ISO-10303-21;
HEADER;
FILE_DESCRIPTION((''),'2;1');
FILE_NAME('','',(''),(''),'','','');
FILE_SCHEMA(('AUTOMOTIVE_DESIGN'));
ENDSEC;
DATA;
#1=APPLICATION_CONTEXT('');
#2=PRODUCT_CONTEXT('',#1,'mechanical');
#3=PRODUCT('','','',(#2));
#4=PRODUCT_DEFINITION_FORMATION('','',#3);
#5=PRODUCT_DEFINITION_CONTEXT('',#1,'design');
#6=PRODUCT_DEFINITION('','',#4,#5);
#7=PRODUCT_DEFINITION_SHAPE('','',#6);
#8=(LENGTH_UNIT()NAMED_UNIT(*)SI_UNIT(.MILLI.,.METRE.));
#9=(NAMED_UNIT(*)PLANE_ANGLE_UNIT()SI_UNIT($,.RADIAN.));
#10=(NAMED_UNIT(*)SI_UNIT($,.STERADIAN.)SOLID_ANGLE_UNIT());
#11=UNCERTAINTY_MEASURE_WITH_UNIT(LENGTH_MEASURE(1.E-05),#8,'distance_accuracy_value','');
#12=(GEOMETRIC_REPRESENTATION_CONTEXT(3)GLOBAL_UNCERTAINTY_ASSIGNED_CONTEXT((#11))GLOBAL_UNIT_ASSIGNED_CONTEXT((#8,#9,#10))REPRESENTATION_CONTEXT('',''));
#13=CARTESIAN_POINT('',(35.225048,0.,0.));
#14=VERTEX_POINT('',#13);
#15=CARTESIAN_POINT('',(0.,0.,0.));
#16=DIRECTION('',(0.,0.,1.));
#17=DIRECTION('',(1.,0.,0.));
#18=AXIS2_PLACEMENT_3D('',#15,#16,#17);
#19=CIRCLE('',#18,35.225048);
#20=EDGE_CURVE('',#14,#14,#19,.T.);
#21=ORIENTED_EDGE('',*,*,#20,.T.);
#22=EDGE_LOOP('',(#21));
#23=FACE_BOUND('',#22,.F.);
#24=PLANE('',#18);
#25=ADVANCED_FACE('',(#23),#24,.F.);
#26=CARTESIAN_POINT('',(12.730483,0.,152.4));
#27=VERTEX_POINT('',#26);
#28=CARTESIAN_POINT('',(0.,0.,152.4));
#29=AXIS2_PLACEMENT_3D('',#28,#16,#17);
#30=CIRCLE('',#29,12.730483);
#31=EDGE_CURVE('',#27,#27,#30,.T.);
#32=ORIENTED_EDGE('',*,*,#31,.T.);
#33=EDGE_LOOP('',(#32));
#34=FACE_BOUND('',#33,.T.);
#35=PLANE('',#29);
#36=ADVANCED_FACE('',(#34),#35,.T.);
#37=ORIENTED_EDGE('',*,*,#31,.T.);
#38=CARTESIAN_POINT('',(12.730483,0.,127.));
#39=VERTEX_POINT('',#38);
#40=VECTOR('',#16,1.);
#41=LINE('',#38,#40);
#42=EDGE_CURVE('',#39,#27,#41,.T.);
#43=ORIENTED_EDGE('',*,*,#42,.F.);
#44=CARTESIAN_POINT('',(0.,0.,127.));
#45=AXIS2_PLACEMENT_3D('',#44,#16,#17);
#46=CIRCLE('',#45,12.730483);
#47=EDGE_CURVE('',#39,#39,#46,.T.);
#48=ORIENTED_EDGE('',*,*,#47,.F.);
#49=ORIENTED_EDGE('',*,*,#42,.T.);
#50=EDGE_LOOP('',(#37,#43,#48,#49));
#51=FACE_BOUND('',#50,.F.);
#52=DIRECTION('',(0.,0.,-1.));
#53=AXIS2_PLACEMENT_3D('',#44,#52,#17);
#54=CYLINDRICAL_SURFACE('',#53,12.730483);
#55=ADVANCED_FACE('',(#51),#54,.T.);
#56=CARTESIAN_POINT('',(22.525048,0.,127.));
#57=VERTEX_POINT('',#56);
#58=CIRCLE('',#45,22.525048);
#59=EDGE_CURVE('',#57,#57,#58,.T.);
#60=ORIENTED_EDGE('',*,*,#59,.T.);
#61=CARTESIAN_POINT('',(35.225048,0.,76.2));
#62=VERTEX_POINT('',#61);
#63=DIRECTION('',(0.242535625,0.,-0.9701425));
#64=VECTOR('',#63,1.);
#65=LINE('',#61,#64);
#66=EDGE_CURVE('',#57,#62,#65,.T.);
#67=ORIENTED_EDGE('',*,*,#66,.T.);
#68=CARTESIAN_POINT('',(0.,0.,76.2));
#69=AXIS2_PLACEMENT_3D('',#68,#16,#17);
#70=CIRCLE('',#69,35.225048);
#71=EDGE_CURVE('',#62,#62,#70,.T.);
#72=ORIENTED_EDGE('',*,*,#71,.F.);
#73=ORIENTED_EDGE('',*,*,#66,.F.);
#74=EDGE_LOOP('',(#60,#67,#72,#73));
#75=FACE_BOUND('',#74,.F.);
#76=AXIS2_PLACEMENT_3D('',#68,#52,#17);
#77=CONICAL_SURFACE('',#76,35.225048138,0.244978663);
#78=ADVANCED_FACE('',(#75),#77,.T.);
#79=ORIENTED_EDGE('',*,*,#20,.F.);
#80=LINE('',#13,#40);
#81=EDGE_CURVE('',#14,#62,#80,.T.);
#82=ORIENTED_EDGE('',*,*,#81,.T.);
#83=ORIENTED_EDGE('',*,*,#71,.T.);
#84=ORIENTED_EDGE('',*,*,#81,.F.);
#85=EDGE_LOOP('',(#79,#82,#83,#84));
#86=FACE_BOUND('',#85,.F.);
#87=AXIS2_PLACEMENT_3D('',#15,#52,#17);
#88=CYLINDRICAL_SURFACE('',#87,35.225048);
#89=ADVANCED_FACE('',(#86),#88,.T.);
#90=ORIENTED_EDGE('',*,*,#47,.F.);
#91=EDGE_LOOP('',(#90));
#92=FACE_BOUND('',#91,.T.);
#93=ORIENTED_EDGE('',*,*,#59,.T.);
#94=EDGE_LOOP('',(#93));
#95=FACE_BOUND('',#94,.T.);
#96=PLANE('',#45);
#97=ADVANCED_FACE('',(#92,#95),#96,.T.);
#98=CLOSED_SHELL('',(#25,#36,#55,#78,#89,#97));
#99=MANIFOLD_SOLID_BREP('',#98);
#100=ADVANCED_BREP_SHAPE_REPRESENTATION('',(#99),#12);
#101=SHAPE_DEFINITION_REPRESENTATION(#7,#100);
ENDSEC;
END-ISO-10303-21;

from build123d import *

# Parameters (mm, degrees)
F0_R     = 35.2250481383
F1_DEPTH = 127
F2_SIZE2 = 50.8
F2_SIZE  = 12.7
F3_R     = 12.730483267
F4_DEPTH = 25.4


with BuildPart() as f1:
    # F0 (on Top) → F1 (new body)
    with BuildSketch(Plane.XY):
        Circle(F0_R)
    extrude(amount=F1_DEPTH)

    # F2
    f2_edges = [f1.edges().sort_by_distance(p)[0] for p in [
        (-35.225048, 0, 127),
    ]]
    f2_side = f1.faces().sort_by_distance((0, 0, 127))[0]
    chamfer(f2_edges, length=F2_SIZE, length2=F2_SIZE2, reference=f2_side)

    # F3 (on face) → F4 (join)
    with BuildSketch(Plane.XY.offset(127)):
        Circle(F3_R)
    extrude(amount=F4_DEPTH)


solid = f1.part
